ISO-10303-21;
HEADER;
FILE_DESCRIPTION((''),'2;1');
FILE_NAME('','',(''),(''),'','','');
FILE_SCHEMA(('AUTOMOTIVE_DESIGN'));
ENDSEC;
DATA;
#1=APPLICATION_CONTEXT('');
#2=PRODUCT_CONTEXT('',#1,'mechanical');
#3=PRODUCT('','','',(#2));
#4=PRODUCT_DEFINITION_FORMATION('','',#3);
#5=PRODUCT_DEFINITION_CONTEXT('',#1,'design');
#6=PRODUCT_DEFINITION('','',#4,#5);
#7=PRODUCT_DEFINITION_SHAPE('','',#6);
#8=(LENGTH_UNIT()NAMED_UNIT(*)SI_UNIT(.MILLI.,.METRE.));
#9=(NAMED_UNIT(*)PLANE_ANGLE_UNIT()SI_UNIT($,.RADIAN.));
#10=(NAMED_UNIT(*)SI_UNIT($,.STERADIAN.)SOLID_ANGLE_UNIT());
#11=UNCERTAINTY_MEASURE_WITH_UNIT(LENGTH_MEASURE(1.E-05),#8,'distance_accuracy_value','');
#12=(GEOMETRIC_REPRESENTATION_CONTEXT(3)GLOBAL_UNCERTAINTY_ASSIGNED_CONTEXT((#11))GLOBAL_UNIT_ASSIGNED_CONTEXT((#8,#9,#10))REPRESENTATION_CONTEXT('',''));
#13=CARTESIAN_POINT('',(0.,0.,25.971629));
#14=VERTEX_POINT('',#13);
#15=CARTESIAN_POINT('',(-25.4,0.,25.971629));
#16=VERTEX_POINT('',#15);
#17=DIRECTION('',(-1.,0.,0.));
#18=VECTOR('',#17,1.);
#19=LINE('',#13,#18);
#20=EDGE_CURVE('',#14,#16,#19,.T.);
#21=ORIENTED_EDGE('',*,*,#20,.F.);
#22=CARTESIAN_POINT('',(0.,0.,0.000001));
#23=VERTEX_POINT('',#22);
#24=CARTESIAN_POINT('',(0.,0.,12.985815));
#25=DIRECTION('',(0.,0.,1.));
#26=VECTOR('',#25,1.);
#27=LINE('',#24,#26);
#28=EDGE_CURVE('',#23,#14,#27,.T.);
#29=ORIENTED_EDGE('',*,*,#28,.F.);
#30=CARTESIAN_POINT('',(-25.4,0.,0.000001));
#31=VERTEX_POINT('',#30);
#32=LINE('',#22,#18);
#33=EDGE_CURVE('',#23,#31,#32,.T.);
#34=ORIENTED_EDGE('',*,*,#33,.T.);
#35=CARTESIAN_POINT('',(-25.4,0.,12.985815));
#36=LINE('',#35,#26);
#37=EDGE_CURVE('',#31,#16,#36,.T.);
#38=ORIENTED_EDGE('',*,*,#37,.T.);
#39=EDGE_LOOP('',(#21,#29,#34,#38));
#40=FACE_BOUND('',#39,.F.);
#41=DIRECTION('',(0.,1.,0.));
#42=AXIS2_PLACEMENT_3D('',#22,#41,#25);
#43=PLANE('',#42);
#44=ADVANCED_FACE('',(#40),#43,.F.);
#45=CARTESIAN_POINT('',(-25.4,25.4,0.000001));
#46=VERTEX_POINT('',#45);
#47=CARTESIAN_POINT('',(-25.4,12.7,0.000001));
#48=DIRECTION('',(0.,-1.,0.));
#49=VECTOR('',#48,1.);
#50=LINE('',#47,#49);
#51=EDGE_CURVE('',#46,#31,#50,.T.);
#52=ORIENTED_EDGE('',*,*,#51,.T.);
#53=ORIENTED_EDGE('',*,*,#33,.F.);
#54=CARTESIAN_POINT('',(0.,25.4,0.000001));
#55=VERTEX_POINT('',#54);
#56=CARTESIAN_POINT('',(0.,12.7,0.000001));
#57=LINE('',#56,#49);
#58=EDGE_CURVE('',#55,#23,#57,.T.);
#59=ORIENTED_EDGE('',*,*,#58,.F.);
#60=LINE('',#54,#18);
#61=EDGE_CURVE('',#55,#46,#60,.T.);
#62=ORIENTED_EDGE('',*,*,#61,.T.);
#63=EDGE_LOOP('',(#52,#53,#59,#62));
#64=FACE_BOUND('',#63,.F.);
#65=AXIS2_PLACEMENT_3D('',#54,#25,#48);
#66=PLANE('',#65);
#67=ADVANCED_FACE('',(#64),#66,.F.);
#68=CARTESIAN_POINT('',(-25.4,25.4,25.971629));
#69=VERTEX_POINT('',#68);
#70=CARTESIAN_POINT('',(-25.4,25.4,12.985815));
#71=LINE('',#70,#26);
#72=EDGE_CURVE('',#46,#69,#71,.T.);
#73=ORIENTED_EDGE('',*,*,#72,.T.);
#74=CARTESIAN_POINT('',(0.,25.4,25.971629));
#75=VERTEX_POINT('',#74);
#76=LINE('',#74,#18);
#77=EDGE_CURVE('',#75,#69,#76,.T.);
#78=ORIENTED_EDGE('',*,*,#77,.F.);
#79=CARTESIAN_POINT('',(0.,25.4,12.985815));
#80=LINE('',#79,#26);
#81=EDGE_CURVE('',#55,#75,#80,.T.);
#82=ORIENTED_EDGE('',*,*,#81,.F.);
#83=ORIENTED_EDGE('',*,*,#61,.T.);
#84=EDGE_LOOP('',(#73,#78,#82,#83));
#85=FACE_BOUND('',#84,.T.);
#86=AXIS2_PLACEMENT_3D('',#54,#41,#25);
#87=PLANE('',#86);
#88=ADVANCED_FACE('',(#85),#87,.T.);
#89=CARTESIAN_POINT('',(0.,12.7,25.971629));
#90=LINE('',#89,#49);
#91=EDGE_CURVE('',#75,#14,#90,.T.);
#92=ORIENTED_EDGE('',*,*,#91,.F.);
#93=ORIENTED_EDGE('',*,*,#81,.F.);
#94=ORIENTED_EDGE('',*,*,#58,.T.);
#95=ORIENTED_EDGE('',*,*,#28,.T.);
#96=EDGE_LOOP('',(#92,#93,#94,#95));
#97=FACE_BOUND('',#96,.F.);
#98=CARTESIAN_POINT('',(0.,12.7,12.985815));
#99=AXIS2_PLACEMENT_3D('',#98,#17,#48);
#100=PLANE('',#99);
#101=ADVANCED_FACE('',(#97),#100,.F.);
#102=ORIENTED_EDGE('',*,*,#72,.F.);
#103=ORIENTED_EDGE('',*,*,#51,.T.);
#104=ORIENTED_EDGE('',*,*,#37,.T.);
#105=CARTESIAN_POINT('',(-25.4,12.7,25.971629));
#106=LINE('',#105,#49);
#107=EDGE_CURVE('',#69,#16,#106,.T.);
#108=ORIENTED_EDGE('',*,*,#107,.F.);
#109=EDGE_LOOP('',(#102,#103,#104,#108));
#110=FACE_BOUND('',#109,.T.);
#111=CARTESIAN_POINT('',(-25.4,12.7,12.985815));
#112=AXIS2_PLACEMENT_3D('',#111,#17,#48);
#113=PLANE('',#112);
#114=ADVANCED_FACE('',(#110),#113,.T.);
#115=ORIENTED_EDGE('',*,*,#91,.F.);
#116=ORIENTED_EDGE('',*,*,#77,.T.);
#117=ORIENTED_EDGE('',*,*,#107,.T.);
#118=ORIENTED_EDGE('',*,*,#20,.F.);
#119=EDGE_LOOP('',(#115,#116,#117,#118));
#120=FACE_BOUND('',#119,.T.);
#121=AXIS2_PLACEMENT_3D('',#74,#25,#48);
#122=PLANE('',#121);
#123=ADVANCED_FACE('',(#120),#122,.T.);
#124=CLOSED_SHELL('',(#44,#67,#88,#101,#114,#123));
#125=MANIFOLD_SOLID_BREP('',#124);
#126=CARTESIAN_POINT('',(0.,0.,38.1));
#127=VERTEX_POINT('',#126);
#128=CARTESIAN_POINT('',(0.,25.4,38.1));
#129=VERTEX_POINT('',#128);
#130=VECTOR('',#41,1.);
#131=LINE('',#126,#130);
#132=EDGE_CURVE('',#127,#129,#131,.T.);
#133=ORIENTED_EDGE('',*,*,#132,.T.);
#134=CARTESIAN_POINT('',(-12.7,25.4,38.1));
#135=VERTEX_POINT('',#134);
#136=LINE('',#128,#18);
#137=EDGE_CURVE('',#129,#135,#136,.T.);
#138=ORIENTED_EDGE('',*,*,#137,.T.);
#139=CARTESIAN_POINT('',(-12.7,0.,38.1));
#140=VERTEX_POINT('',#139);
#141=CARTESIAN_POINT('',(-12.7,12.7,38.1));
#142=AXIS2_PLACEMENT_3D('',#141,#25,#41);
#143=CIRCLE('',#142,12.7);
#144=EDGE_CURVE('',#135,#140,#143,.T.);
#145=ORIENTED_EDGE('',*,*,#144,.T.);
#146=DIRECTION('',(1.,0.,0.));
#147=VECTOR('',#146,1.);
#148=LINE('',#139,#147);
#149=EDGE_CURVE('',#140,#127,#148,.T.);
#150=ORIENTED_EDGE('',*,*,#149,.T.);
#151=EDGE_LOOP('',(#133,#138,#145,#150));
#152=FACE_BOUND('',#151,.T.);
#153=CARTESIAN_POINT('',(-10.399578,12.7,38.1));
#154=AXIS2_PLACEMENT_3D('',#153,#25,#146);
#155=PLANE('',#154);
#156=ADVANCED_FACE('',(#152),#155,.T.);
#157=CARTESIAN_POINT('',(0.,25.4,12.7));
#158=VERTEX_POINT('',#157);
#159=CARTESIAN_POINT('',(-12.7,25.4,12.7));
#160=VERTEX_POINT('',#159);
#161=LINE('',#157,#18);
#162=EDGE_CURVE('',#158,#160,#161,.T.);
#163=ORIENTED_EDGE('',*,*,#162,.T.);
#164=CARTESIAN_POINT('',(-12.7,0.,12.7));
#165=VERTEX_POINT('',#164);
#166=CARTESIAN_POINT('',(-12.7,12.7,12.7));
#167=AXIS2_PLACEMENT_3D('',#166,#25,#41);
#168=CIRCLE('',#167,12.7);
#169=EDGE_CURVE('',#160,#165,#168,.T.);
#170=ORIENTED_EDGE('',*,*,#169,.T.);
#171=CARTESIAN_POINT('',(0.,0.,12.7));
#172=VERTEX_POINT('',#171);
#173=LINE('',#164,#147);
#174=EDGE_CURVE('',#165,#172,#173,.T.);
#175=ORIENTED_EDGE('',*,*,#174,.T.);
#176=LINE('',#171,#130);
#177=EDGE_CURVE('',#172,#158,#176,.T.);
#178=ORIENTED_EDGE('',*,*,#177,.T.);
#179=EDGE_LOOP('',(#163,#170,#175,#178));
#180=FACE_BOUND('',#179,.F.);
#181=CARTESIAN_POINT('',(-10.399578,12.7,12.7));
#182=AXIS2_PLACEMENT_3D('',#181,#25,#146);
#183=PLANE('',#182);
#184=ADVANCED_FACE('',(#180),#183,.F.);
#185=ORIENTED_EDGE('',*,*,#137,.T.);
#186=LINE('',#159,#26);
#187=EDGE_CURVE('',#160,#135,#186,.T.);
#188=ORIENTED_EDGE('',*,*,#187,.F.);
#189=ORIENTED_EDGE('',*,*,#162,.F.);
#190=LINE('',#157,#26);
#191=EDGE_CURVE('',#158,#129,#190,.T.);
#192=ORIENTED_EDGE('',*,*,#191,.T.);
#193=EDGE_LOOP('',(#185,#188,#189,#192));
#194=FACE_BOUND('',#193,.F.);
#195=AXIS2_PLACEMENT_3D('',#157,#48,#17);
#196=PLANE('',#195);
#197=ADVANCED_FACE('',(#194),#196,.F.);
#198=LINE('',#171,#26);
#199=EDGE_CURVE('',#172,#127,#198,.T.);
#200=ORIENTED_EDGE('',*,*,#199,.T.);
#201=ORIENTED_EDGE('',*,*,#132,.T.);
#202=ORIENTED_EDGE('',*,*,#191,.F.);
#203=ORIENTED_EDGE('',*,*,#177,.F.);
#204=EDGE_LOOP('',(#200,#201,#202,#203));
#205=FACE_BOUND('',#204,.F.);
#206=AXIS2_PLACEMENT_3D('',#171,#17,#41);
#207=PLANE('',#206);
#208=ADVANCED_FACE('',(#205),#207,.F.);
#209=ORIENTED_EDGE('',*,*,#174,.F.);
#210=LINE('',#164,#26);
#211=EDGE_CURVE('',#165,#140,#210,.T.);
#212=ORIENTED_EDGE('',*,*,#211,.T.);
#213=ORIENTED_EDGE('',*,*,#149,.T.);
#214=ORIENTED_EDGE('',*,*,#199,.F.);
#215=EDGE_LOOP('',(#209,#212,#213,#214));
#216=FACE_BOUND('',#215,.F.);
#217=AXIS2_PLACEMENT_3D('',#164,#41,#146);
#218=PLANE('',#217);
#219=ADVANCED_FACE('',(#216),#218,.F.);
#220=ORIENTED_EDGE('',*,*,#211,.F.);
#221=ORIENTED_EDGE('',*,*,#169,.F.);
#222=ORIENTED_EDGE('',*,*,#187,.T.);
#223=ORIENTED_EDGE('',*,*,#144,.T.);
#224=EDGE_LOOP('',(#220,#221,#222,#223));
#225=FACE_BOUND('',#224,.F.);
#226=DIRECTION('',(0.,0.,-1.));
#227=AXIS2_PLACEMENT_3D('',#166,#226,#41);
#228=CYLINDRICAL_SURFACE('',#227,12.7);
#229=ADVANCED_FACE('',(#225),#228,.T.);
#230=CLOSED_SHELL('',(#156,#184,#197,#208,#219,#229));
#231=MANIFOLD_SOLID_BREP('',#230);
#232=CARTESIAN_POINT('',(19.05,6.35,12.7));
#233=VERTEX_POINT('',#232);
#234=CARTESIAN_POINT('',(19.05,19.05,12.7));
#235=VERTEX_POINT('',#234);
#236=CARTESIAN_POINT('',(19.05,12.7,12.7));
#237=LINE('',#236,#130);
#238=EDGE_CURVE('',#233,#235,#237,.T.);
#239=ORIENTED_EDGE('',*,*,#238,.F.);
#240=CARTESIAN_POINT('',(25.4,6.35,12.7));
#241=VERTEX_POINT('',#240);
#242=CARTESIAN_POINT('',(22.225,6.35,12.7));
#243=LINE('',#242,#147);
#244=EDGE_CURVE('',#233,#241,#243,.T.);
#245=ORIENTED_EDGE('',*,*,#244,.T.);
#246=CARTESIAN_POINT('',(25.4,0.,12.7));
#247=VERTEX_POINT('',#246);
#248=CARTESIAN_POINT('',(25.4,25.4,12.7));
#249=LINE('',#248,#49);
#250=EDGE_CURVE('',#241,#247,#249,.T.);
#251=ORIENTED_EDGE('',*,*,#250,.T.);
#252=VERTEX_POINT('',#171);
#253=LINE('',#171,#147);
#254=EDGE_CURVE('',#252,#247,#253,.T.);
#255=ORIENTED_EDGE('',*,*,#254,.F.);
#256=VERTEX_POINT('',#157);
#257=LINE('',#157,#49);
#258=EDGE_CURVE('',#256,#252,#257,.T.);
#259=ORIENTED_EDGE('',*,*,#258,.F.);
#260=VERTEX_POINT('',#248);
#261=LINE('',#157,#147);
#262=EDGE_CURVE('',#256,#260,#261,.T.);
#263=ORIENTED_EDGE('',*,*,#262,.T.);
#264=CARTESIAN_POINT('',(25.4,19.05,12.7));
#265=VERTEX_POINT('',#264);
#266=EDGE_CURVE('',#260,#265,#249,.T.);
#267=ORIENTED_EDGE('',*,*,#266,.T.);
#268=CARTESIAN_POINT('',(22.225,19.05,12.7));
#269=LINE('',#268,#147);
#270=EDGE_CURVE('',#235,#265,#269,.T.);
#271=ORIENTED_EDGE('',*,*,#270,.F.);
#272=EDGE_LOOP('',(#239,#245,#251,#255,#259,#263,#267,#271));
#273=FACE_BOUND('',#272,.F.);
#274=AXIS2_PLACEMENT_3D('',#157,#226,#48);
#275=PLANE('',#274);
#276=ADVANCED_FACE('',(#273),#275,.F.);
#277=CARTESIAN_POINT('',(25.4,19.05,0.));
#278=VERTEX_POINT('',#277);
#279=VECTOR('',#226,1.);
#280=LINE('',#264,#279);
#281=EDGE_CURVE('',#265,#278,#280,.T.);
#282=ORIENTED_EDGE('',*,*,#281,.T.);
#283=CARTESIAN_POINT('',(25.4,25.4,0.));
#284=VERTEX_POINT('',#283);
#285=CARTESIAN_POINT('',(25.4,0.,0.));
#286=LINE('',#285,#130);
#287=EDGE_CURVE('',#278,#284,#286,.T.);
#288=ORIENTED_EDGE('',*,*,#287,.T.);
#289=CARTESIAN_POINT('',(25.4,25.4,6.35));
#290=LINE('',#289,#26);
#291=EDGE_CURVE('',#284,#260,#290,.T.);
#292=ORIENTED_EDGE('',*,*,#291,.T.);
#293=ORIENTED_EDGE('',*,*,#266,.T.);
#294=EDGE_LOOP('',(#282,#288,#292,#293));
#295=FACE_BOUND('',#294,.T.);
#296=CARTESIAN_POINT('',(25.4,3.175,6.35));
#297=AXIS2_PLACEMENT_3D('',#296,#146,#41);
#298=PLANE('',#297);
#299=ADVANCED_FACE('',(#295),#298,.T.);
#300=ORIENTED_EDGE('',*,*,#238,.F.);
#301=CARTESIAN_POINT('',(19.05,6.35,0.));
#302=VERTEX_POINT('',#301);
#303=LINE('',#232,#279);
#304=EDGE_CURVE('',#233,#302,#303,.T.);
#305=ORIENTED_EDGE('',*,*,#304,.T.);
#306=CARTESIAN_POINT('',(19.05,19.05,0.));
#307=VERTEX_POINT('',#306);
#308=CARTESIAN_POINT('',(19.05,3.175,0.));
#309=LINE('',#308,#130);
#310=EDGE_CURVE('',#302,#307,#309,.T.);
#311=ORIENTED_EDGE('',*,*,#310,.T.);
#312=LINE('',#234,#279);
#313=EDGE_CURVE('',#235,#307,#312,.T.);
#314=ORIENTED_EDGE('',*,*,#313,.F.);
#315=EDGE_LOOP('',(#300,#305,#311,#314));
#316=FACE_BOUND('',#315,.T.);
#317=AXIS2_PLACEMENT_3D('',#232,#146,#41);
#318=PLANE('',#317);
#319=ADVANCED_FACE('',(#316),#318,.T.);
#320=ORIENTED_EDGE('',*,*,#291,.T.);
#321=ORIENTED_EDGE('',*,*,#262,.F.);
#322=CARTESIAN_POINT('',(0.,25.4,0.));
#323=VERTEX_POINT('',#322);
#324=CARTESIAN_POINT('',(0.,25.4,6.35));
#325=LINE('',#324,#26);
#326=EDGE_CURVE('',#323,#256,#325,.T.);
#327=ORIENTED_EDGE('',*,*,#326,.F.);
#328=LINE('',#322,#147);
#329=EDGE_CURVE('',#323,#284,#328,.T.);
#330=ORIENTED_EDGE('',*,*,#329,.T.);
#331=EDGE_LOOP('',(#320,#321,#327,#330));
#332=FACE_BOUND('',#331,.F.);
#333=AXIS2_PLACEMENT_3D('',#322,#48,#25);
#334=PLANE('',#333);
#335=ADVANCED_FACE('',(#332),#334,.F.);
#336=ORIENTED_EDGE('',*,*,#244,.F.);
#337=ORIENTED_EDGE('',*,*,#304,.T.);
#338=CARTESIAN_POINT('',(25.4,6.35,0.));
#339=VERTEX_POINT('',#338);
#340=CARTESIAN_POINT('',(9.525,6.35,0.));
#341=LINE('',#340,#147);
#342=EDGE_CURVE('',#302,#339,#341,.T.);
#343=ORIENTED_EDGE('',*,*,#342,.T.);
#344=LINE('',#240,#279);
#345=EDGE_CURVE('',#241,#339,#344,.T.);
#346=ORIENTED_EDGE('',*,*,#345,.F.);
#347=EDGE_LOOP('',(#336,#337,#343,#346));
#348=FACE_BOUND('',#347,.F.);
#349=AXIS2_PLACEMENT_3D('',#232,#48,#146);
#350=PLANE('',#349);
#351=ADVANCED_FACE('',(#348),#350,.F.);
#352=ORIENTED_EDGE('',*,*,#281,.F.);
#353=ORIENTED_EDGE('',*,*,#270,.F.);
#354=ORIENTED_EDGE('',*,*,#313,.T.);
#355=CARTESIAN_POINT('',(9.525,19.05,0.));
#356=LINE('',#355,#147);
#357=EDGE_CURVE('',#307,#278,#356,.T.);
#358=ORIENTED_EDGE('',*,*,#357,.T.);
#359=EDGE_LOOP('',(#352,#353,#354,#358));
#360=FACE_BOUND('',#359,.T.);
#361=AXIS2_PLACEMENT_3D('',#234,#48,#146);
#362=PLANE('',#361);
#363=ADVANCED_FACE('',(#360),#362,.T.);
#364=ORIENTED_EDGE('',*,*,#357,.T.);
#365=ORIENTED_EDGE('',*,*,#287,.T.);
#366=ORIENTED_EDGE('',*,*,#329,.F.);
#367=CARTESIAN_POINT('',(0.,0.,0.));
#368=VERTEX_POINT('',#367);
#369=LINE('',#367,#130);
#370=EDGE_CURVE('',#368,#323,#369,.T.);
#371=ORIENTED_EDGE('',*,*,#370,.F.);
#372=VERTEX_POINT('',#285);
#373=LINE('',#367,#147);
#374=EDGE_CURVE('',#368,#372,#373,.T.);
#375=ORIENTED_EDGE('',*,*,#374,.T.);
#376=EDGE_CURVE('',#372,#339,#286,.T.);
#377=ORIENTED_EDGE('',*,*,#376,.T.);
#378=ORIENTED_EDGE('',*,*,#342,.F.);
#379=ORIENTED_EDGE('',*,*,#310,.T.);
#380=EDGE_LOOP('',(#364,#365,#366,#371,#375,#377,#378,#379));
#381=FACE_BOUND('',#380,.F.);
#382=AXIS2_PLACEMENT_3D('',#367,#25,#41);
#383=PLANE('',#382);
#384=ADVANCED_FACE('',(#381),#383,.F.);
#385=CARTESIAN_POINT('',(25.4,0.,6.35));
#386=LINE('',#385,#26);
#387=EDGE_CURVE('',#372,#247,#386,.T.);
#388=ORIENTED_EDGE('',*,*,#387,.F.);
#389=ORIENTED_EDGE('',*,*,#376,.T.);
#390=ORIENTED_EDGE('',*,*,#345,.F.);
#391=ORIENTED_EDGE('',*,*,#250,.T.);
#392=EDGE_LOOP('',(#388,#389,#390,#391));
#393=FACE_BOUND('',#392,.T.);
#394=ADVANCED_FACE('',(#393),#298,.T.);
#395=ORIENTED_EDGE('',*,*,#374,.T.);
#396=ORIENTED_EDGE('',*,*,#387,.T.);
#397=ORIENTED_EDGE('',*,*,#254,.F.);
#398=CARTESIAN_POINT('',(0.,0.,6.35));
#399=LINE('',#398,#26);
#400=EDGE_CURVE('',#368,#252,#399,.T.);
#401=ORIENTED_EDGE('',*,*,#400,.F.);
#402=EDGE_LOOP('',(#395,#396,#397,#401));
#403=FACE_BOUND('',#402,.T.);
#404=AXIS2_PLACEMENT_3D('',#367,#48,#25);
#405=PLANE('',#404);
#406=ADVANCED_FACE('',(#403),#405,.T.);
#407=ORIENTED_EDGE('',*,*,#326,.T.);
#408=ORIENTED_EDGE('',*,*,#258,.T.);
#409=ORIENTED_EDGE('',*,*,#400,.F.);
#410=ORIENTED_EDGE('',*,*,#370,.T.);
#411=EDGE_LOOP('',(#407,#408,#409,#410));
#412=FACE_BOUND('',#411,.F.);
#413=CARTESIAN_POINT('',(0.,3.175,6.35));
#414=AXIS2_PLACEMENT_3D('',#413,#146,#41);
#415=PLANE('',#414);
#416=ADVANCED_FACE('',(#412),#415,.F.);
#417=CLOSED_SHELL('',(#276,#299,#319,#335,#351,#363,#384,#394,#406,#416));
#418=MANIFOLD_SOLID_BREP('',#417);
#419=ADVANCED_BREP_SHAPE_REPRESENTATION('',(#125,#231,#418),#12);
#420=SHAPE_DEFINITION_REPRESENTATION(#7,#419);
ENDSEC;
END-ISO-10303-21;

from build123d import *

# Parameters (mm, degrees)
F0_W     = 6.35
F0_H     = 12.7
F0_W_2   = 12.7
F1_DEPTH = 25.4
F2_W     = 6.35
F2_H     = 12.7
F3_DEPTH = 12.701
F5_DEPTH = 25.4
F6_W     = 25.4
F6_H     = 25.971629
F7_DEPTH = 25.4


with BuildPart() as f1:
    # F0 (on Right) → F1 (new body)
    with BuildSketch(Plane.YZ):
        with Locations((3.175, 6.35)):
            Rectangle(F0_W, F0_H)
        with Locations((12.7, 6.35)):
            Rectangle(F0_W_2, F0_H)
        with Locations((22.225, 6.35)):
            Rectangle(F0_W, F0_H)
    extrude(amount=F1_DEPTH)

    # F2 (on face) → F3 (cut, through all)
    with BuildSketch(Plane.XY.offset(12.7)):
        with Locations((22.225, 12.7)):
            Rectangle(F2_W, F2_H)
    extrude(amount=-F3_DEPTH, mode=Mode.SUBTRACT)


with BuildPart() as f5:
    # F4 (on face) → F5 (new body)
    with BuildSketch(Plane.XY.offset(12.7)):
        with BuildLine():
            Line((-12.7, 0), (0, 0))
            Line((0, 0), (0, 25.4))
            Line((0, 25.4), (-12.7, 25.4))
            ThreePointArc((-12.7, 25.4), (-25.4, 12.7), (-12.7, 0))
        make_face()
    extrude(amount=F5_DEPTH)


with BuildPart() as f7:
    # F6 (on face) → F7 (new body)
    with BuildSketch(Plane(origin=(0, 0, 0), x_dir=(0, -1, 0), z_dir=(-1, 0, 0))):
        with Locations((-12.7, 12.985815)):
            Rectangle(F6_W, F6_H)
    extrude(amount=F7_DEPTH)


solid = Compound([f1.part, f5.part, f7.part])
